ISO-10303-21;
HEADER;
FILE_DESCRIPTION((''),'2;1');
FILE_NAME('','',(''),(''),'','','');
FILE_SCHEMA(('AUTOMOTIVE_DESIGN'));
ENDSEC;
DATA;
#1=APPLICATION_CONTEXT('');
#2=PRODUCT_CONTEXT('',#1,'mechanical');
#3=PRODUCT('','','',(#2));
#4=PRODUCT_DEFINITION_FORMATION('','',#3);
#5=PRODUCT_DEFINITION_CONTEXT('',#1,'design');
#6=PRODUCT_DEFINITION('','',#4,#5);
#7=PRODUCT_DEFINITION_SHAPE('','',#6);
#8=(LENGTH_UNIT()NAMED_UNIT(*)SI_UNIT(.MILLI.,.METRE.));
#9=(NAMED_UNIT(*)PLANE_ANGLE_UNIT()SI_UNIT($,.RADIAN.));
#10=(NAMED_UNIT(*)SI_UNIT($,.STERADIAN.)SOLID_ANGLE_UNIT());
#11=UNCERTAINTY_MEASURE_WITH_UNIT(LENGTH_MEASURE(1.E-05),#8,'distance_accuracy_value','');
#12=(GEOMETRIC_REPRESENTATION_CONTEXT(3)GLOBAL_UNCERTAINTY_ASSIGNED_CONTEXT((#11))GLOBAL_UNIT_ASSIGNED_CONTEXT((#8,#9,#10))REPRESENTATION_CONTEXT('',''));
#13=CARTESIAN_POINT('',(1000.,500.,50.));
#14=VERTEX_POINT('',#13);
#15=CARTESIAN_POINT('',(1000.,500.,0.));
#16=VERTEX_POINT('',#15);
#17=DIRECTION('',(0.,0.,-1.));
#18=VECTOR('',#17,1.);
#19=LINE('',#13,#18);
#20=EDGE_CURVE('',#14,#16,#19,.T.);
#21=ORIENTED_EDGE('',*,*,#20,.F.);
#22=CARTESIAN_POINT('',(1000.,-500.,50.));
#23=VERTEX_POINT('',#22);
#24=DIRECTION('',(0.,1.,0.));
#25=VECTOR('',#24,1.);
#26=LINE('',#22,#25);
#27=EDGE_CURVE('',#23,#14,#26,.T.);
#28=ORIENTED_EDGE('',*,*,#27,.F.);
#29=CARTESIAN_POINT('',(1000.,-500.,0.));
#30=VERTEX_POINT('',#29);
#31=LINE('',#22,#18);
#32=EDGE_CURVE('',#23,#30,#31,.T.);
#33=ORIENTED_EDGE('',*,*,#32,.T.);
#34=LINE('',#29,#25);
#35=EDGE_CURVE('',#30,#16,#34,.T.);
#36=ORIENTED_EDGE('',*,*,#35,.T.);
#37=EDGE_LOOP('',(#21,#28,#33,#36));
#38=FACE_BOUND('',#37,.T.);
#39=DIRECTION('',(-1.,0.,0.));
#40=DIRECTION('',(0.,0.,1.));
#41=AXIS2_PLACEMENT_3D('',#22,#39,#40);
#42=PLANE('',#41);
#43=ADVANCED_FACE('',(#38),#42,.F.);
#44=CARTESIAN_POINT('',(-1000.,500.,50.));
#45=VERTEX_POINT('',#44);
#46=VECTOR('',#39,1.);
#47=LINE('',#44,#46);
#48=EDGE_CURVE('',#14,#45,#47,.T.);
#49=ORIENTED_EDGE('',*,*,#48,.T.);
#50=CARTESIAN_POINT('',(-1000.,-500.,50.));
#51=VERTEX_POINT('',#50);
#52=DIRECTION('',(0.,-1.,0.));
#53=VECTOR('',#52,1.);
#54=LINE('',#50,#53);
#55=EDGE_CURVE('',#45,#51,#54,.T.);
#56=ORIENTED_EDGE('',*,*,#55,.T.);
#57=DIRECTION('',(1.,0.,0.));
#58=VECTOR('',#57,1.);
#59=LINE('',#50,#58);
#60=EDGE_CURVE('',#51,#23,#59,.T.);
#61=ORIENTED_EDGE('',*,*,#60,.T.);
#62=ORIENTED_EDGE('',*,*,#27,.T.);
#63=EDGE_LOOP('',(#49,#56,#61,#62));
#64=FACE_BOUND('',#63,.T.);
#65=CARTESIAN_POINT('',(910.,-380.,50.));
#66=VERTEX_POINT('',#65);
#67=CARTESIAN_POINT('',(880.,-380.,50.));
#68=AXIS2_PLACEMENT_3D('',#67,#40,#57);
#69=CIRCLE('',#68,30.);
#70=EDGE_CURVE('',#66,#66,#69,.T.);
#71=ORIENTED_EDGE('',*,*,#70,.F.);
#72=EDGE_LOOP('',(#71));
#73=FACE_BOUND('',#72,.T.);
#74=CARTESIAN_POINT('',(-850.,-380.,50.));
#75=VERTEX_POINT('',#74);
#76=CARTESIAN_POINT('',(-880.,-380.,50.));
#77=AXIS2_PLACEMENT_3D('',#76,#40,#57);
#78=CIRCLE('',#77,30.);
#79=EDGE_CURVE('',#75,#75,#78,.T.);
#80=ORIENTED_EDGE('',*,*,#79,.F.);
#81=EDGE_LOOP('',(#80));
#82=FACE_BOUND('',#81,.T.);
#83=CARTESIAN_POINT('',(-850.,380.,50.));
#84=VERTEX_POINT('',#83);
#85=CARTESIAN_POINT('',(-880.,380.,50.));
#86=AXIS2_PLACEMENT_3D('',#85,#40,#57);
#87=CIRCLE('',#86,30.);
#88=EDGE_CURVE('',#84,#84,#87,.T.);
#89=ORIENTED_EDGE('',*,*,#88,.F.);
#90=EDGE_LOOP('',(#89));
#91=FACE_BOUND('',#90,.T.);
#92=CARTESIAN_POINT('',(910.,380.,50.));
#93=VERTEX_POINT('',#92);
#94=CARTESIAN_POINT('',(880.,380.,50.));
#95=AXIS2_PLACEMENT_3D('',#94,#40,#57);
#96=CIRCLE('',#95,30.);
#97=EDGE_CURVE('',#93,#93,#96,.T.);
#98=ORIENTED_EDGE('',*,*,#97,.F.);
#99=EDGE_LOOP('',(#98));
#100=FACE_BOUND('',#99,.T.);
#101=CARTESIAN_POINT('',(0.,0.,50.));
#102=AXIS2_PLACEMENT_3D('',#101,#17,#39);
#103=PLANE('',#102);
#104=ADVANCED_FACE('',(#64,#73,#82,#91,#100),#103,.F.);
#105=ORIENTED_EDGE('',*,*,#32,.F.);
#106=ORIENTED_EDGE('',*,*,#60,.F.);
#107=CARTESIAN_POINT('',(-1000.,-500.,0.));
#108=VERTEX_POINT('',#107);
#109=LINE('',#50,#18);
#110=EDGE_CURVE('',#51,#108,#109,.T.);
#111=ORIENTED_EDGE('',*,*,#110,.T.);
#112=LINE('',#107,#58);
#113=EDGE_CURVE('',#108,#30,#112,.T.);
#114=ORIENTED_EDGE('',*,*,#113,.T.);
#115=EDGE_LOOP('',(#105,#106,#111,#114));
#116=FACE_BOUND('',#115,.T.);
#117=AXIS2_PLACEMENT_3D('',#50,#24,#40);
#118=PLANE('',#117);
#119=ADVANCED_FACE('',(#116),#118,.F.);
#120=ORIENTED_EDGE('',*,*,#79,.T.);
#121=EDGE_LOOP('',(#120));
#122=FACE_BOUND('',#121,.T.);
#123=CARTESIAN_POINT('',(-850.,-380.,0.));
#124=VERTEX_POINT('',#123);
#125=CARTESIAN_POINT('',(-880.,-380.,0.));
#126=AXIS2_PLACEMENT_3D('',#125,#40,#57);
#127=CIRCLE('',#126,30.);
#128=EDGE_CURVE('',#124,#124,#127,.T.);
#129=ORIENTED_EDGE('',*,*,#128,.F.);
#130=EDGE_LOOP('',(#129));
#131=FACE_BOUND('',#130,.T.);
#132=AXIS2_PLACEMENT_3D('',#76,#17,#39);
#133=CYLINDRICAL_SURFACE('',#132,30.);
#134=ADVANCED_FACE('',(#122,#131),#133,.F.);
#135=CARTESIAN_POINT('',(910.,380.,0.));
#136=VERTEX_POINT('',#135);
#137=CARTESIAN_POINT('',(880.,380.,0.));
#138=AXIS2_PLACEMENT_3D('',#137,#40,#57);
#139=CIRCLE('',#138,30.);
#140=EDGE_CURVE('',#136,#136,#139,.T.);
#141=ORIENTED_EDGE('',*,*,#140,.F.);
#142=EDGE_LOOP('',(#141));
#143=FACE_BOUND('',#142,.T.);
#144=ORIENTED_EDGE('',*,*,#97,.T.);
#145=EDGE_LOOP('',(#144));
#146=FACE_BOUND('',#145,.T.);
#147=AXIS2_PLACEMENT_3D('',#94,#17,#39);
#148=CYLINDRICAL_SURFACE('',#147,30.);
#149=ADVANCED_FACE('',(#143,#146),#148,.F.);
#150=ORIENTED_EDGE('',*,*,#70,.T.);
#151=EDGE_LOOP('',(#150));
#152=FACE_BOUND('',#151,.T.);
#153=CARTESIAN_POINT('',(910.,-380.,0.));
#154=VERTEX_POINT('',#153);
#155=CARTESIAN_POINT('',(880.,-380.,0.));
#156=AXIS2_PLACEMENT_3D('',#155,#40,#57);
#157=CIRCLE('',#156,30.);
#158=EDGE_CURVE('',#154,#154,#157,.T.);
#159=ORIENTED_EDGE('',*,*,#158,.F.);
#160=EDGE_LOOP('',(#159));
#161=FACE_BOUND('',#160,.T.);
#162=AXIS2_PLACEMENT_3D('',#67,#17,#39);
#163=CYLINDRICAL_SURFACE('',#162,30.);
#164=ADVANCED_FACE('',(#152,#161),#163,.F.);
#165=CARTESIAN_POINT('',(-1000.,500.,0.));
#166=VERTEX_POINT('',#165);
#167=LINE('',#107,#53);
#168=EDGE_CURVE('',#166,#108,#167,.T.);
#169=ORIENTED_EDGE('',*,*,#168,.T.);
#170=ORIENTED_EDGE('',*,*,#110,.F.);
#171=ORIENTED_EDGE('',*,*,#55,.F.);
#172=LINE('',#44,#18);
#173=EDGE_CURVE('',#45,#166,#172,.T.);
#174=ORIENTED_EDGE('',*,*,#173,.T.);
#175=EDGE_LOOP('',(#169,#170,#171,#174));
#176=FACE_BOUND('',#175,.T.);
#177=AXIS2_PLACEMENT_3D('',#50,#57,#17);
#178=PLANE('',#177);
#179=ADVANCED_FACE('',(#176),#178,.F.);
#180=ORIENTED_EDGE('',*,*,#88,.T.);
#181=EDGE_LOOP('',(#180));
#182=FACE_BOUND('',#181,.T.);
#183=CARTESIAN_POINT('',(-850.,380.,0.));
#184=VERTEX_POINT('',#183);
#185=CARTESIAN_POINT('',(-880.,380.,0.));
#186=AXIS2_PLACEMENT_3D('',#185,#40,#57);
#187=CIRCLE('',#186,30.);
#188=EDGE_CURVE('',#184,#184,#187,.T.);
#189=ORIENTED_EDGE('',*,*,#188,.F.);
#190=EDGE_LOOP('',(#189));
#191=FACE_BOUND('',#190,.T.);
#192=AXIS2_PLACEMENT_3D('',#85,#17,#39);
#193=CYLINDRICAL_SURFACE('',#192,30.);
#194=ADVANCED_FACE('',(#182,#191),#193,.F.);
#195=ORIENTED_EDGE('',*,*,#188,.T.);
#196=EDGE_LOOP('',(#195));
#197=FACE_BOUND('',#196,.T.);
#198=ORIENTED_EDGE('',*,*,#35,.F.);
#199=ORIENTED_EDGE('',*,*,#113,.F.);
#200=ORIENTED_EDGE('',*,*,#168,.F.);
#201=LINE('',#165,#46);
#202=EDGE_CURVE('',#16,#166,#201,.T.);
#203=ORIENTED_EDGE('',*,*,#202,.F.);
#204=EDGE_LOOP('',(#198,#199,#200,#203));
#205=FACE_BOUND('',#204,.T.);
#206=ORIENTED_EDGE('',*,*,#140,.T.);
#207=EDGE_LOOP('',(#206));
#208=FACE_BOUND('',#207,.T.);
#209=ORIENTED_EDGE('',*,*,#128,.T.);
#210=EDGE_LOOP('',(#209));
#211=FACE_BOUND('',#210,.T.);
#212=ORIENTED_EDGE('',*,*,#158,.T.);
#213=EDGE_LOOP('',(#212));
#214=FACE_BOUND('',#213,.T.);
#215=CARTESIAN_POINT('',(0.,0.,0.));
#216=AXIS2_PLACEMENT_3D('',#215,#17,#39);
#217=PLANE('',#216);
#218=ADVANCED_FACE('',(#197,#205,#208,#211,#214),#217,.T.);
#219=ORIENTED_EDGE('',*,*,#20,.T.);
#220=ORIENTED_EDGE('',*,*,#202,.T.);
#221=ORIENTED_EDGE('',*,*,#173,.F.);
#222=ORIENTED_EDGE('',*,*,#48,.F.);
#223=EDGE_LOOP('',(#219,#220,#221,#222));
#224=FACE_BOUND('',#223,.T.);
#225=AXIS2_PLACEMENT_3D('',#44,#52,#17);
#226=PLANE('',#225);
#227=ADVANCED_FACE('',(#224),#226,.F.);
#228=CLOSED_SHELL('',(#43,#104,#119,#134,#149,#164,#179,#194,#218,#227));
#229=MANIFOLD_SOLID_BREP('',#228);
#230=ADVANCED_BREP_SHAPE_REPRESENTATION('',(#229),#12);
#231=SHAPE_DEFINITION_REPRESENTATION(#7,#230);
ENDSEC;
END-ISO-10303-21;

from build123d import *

# Parameters (mm, degrees)
SKETCH_1_W          = 2000
SKETCH_1_H          = 1000
EXTRUDE_1_DEPTH     = 50
SKETCH_2_R          = 30
CUT_EXTRUDE_1_DEPTH = 1120.15146428
SKETCH_3_R          = 30
CUT_EXTRUDE_2_DEPTH = 1120.15146428
SKETCH_4_R          = 30
CUT_EXTRUDE_3_DEPTH = 1120.15146428
SKETCH_5_R          = 30
CUT_EXTRUDE_4_DEPTH = 1120.15146428


with BuildPart() as part:
    # 草图1 → 凸台-拉伸1 (new body)
    with BuildSketch(Plane.XY):
        Rectangle(SKETCH_1_W, SKETCH_1_H)
    extrude(amount=EXTRUDE_1_DEPTH)

    # 草图2 → 切除-拉伸1 (cut, through all)
    with BuildSketch(Plane.XY):
        with Locations((880, 380)):
            Circle(SKETCH_2_R)
    extrude(amount=CUT_EXTRUDE_1_DEPTH, mode=Mode.SUBTRACT)

    # 草图3 → 切除-拉伸2 (cut, through all)
    with BuildSketch(Plane.XY):
        with Locations((880, -380)):
            Circle(SKETCH_3_R)
    extrude(amount=CUT_EXTRUDE_2_DEPTH, mode=Mode.SUBTRACT)

    # 草图4 → 切除-拉伸3 (cut, through all)
    with BuildSketch(Plane.XY):
        with Locations((-880, 380)):
            Circle(SKETCH_4_R)
    extrude(amount=CUT_EXTRUDE_3_DEPTH, mode=Mode.SUBTRACT)

    # 草图5 → 切除-拉伸4 (cut, through all)
    with BuildSketch(Plane.XY):
        with Locations((-880, -380)):
            Circle(SKETCH_5_R)
    extrude(amount=CUT_EXTRUDE_4_DEPTH, mode=Mode.SUBTRACT)


solid = part.part
